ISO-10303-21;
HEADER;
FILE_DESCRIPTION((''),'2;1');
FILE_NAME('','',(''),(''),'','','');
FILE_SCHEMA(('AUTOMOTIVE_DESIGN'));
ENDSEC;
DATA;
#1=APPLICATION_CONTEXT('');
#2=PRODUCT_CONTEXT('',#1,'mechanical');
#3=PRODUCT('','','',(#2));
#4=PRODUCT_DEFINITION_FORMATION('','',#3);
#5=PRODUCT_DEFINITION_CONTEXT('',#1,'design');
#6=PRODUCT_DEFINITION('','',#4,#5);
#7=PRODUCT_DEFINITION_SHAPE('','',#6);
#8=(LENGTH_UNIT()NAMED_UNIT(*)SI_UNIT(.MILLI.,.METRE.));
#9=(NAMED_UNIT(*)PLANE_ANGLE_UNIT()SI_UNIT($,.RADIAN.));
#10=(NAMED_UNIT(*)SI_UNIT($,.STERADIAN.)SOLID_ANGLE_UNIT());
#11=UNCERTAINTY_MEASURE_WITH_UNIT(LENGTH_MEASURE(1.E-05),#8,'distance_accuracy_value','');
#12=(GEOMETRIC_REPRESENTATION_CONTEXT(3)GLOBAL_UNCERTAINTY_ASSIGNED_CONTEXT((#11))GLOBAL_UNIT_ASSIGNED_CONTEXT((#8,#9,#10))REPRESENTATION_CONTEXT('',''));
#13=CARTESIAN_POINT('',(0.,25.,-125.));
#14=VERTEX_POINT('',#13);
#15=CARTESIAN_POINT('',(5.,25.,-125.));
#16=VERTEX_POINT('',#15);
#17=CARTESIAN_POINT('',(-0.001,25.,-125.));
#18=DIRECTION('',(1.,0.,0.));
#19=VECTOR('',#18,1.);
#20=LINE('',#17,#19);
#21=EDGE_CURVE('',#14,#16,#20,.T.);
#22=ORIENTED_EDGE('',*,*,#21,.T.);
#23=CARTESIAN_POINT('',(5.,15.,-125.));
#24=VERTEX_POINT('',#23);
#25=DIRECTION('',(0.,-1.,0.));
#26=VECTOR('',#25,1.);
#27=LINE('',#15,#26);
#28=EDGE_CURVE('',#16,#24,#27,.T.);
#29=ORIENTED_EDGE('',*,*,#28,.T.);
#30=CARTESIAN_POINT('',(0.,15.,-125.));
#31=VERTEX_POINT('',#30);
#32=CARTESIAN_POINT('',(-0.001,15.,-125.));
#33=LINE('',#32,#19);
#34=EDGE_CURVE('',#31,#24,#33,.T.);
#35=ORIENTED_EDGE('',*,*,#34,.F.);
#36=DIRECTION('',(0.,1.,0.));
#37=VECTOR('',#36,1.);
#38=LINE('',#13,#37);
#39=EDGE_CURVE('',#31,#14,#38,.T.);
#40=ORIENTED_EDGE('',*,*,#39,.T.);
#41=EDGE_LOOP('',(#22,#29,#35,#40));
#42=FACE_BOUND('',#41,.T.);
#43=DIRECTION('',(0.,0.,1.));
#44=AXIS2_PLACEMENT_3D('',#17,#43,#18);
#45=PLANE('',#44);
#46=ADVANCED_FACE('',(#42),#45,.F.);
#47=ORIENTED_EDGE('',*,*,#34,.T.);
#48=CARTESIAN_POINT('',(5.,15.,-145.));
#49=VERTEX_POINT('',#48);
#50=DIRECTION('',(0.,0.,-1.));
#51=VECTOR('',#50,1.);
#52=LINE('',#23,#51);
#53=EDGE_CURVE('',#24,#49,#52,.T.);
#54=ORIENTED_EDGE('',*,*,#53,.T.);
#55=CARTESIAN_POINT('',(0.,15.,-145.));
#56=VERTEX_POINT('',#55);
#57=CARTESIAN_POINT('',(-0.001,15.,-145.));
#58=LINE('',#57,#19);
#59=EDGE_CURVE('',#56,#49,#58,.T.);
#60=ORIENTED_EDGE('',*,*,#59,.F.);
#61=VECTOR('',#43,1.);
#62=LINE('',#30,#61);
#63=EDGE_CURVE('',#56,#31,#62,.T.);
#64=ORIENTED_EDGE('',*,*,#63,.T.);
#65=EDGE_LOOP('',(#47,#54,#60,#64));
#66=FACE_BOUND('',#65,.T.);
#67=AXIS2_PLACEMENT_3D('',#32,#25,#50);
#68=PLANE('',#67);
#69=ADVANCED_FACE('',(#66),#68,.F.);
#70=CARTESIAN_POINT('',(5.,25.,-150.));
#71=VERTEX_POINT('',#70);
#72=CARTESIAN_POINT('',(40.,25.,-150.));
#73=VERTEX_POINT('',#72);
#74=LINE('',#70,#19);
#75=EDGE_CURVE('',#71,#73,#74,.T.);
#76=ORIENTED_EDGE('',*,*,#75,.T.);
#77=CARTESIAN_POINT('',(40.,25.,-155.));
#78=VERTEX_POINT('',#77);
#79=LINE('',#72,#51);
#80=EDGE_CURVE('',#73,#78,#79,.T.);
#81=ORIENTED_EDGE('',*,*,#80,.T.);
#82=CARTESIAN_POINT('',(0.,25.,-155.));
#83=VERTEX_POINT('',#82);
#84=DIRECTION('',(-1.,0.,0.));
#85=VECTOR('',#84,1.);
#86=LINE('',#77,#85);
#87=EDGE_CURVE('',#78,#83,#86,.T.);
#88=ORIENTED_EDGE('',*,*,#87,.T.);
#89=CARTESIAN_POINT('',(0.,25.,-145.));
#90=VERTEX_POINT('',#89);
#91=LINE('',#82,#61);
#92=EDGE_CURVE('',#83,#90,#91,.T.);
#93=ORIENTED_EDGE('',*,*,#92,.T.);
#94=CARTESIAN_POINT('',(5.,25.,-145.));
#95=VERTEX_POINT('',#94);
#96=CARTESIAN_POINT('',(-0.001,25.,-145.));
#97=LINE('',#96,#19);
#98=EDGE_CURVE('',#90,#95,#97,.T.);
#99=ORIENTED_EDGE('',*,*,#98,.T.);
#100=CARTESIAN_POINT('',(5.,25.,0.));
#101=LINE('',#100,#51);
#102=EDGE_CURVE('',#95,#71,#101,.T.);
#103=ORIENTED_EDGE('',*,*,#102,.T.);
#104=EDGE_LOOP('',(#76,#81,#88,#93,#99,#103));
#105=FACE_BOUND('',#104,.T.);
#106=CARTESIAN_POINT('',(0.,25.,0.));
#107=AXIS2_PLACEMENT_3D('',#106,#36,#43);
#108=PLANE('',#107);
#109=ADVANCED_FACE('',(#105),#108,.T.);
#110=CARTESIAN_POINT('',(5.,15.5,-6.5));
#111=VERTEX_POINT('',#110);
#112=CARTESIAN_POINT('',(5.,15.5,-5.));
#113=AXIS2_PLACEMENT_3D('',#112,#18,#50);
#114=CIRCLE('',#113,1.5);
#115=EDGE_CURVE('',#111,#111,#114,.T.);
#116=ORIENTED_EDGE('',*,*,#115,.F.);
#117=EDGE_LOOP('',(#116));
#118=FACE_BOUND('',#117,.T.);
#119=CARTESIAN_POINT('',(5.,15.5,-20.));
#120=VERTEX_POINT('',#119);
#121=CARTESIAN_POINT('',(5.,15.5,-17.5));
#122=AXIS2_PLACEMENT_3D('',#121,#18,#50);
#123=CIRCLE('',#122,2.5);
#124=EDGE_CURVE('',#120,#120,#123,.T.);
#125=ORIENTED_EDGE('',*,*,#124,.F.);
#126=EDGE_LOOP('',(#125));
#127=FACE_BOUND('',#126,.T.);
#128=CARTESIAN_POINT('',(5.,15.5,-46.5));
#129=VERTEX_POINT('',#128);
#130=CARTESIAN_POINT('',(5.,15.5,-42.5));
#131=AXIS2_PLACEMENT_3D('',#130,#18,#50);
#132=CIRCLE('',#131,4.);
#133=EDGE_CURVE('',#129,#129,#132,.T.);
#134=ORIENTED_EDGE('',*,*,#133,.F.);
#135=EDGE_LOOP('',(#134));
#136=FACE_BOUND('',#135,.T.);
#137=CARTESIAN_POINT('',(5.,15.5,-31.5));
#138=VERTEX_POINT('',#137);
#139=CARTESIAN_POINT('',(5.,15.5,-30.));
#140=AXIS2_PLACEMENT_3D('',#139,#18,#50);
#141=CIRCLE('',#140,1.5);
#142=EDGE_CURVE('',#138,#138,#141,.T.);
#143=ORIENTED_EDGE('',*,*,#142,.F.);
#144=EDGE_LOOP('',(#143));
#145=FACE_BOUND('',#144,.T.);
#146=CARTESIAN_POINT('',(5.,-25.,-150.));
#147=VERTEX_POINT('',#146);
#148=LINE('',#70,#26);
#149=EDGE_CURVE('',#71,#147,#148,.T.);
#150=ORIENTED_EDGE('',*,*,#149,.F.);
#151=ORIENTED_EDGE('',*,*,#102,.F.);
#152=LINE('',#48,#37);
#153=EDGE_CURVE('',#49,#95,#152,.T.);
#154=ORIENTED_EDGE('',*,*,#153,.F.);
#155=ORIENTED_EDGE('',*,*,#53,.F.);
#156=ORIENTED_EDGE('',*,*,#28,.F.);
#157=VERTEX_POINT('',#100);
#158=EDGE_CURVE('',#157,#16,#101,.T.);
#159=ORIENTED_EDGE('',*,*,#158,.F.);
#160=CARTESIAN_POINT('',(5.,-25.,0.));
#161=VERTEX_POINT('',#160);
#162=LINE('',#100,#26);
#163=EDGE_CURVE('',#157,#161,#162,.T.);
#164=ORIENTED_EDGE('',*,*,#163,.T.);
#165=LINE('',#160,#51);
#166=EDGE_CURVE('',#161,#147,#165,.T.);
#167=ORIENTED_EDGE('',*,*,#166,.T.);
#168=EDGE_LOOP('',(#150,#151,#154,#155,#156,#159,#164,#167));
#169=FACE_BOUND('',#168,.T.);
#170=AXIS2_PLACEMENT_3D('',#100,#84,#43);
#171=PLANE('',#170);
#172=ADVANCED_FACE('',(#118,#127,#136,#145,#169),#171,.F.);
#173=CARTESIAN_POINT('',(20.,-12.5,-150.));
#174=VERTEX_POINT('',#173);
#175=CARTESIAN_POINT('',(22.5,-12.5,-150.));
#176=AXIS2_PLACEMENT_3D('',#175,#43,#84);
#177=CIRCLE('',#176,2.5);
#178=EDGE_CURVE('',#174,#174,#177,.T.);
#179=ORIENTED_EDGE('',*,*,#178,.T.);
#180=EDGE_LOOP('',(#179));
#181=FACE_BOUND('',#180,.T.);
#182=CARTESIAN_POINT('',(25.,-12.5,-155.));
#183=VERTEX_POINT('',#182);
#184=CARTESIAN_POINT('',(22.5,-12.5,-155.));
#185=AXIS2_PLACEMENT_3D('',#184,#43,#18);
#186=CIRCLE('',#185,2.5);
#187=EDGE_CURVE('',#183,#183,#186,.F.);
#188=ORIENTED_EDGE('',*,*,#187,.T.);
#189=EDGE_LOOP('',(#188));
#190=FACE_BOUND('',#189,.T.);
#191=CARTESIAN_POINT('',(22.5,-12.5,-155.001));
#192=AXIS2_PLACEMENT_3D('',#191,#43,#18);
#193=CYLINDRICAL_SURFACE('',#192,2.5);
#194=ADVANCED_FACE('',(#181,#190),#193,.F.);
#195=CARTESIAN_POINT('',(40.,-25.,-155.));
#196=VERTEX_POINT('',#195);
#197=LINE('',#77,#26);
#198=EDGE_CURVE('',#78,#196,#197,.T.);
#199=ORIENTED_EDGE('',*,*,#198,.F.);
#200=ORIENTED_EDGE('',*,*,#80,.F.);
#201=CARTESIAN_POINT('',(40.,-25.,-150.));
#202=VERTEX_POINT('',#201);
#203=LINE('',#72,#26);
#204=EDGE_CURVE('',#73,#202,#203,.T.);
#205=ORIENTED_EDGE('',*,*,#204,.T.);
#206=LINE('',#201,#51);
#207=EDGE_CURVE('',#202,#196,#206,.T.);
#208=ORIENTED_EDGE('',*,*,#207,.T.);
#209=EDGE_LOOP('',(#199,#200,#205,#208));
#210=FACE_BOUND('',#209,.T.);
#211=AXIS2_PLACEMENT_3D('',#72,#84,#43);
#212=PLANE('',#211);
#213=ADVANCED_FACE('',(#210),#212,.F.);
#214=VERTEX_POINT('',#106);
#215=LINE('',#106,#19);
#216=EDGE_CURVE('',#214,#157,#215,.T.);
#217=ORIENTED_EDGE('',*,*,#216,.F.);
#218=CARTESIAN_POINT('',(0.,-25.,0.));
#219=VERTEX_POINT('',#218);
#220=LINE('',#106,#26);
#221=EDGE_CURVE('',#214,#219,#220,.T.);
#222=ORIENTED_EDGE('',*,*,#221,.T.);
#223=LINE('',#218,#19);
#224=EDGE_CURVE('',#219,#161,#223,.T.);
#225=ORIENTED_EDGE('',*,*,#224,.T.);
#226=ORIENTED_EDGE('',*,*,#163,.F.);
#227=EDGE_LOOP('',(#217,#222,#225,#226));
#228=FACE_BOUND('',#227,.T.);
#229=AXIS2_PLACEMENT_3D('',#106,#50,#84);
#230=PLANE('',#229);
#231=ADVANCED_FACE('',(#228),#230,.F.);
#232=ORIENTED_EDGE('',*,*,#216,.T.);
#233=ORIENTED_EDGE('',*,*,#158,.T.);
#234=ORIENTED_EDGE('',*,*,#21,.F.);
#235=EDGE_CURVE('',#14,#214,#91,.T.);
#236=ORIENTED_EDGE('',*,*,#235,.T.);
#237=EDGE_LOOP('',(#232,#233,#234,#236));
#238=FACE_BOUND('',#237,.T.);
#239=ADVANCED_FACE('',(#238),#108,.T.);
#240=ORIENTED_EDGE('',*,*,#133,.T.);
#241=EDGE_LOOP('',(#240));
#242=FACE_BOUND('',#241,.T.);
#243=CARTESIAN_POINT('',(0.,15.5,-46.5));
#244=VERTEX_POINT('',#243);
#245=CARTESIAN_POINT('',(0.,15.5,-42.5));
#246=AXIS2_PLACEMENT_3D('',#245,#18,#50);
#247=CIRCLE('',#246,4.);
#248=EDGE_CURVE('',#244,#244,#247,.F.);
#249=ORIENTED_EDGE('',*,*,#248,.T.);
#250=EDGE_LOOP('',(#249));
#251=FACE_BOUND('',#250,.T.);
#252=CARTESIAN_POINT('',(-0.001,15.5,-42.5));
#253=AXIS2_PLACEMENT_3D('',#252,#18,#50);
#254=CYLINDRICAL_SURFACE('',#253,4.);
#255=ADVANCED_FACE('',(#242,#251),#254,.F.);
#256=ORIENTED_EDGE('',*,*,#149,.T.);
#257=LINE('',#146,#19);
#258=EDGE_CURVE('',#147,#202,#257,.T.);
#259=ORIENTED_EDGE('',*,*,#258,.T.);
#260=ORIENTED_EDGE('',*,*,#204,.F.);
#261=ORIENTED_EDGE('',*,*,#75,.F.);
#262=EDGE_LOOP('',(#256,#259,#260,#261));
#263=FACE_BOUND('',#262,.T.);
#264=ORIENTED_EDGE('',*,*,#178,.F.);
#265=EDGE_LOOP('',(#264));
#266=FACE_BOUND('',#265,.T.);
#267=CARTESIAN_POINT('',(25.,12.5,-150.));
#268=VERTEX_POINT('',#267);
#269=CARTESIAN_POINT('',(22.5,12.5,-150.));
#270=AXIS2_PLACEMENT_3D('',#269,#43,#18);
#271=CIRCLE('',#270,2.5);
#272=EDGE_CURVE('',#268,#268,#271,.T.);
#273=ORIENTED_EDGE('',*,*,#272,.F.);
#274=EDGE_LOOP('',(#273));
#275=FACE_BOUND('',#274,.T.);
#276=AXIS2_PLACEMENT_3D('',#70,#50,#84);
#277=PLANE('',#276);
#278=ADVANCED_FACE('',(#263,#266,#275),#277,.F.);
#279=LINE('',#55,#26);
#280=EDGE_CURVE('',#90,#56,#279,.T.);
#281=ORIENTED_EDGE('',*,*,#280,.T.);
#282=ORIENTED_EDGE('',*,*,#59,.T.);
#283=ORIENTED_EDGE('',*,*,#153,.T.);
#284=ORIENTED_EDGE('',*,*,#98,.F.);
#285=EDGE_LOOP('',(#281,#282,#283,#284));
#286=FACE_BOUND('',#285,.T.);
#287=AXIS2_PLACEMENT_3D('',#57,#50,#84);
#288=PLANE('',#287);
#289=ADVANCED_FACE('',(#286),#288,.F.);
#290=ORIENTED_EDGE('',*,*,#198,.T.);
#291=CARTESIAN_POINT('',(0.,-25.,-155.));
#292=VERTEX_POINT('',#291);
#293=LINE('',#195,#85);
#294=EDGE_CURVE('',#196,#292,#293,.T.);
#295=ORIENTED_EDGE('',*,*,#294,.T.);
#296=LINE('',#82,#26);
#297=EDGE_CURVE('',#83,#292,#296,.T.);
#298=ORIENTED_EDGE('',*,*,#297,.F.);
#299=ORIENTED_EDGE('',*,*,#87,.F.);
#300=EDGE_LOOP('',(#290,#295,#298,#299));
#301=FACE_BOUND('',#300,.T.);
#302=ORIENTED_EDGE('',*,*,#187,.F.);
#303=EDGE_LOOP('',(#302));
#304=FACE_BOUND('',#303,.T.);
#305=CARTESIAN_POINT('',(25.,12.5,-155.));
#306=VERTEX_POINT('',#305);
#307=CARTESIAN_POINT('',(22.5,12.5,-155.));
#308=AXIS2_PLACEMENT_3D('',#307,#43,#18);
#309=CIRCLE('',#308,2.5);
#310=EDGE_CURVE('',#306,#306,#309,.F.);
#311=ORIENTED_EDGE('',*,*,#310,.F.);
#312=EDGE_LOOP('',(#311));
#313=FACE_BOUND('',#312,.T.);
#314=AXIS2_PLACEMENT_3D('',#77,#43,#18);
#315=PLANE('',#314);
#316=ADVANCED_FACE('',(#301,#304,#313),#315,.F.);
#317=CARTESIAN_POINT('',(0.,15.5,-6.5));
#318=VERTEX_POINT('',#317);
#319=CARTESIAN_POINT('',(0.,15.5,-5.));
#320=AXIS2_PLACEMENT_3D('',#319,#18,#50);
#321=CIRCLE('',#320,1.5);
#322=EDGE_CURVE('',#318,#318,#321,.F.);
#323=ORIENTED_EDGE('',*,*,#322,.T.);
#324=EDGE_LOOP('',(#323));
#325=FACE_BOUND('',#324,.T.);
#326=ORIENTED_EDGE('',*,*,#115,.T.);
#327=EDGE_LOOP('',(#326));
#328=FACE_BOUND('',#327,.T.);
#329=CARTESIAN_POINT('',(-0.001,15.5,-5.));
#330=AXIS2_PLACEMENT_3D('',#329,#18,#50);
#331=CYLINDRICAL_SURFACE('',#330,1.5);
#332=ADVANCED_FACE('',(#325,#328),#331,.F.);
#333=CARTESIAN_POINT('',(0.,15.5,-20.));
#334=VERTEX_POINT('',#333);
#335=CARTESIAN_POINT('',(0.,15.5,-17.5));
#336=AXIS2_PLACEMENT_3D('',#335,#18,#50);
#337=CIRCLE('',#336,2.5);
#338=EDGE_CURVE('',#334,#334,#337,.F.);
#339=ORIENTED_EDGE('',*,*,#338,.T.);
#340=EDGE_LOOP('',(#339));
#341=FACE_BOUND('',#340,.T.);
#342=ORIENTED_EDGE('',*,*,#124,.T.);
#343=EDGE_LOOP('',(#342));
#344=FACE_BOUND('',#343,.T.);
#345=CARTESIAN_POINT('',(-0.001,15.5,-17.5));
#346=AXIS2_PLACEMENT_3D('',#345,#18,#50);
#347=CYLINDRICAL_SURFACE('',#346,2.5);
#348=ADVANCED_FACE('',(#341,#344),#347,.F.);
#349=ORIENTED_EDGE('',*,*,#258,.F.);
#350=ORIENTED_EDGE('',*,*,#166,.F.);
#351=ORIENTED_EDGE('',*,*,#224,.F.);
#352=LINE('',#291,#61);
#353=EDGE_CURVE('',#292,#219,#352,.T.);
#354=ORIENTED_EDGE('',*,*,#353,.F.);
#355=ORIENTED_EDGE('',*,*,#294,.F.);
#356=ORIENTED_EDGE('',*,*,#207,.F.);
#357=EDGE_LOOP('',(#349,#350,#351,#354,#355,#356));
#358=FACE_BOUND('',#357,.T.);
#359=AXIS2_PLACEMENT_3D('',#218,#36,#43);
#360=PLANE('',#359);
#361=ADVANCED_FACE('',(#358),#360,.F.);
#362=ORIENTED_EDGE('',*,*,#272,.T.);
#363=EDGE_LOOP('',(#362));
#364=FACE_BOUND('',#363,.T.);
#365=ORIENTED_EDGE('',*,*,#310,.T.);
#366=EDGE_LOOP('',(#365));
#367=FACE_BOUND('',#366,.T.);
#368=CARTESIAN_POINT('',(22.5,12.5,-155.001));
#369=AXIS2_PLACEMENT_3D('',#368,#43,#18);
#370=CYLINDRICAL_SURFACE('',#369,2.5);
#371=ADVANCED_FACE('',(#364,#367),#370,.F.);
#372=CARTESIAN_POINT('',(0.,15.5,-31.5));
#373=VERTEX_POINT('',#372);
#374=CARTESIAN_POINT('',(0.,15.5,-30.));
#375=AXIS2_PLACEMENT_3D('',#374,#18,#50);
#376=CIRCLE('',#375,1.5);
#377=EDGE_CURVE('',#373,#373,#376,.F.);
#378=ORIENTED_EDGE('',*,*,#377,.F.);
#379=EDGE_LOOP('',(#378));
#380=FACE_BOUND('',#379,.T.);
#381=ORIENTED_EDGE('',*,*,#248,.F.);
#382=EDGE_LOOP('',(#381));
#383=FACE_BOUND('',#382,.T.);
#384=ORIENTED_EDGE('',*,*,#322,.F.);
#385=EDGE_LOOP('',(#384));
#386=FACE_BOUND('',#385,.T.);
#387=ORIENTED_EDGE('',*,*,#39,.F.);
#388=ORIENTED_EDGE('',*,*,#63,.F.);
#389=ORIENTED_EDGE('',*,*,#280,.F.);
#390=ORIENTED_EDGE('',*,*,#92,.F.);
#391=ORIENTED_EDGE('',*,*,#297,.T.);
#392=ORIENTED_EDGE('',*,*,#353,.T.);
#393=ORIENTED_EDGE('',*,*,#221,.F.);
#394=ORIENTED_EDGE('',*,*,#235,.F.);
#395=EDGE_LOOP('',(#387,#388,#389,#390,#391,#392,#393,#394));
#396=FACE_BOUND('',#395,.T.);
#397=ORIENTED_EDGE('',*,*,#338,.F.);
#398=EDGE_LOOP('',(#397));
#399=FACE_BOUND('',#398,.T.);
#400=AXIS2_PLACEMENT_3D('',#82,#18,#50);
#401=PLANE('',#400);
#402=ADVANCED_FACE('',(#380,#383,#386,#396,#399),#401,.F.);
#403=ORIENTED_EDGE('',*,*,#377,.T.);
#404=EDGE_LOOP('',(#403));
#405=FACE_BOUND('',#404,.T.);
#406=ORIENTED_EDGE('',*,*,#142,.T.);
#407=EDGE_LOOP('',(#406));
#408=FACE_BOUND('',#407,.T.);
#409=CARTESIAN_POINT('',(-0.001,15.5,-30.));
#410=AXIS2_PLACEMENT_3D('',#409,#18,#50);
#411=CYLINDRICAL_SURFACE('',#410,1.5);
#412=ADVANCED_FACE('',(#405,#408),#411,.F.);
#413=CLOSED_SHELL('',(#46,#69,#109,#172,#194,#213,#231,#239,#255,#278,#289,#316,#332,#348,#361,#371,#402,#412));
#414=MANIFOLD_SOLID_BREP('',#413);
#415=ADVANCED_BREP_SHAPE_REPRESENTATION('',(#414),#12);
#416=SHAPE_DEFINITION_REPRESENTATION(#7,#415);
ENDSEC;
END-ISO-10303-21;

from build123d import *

# Parameters (mm, degrees)
BOSS_EXTRUDE5_DEPTH = 25
CUT_EXTRUDE2_REACH  = 162.857
SKETCH6_R           = 1.5
SKETCH6_R_2         = 2.5
SKETCH6_R_3         = 4
SKETCH6_W           = 20
SKETCH6_H           = 10
CUT_EXTRUDE3_REACH  = 159.242
SKETCH7_R           = 2.5


with BuildPart() as part:
    # Sketch4 → Boss-Extrude5 (new, symmetric)
    with BuildSketch(Plane(origin=(0, 0, 0), x_dir=(1, 0, 0), z_dir=(0, 1, 0))):
        Polygon((0, 0), (5, 0), (5, 150), (40, 150), (40, 155), (0, 155), align=None)
    extrude(amount=BOSS_EXTRUDE5_DEPTH, both=True)

    # Sketch6 → Cut-Extrude2 (cut, up to next)
    with BuildSketch(Plane(origin=(5, 0, 0), x_dir=(0, 0, -1), z_dir=(1, 0, 0)), mode=Mode.PRIVATE) as cut_extrude2_sk1:
        with Locations((5, 15.5)):
            Circle(SKETCH6_R)
    cut_extrude2_tool1 = extrude(cut_extrude2_sk1.sketch, amount=-CUT_EXTRUDE2_REACH, mode=Mode.PRIVATE) & part.part
    # Sketch6 → Cut-Extrude2 (cut, up to next)
    with BuildSketch(Plane(origin=(5, 0, 0), x_dir=(0, 0, -1), z_dir=(1, 0, 0)), mode=Mode.PRIVATE) as cut_extrude2_sk2:
        with Locations((17.5, 15.5)):
            Circle(SKETCH6_R_2)
    cut_extrude2_tool2 = extrude(cut_extrude2_sk2.sketch, amount=-CUT_EXTRUDE2_REACH, mode=Mode.PRIVATE) & part.part
    # Sketch6 → Cut-Extrude2 (cut, up to next)
    with BuildSketch(Plane(origin=(5, 0, 0), x_dir=(0, 0, -1), z_dir=(1, 0, 0)), mode=Mode.PRIVATE) as cut_extrude2_sk3:
        with Locations((30, 15.5)):
            Circle(SKETCH6_R)
    cut_extrude2_tool3 = extrude(cut_extrude2_sk3.sketch, amount=-CUT_EXTRUDE2_REACH, mode=Mode.PRIVATE) & part.part
    # Sketch6 → Cut-Extrude2 (cut, up to next)
    with BuildSketch(Plane(origin=(5, 0, 0), x_dir=(0, 0, -1), z_dir=(1, 0, 0)), mode=Mode.PRIVATE) as cut_extrude2_sk4:
        with Locations((42.5, 15.5)):
            Circle(SKETCH6_R_3)
    cut_extrude2_tool4 = extrude(cut_extrude2_sk4.sketch, amount=-CUT_EXTRUDE2_REACH, mode=Mode.PRIVATE) & part.part
    # Sketch6 → Cut-Extrude2 (cut, up to next)
    with BuildSketch(Plane(origin=(5, 0, 0), x_dir=(0, 0, -1), z_dir=(1, 0, 0)), mode=Mode.PRIVATE) as cut_extrude2_sk5:
        with Locations((135, 20)):
            Rectangle(SKETCH6_W, SKETCH6_H)
    cut_extrude2_tool5 = extrude(cut_extrude2_sk5.sketch, amount=-CUT_EXTRUDE2_REACH, mode=Mode.PRIVATE) & part.part
    add(cut_extrude2_tool1.solids().sort_by_distance((5, 15.5, -5))[0], mode=Mode.SUBTRACT)
    add(cut_extrude2_tool2.solids().sort_by_distance((5, 15.5, -17.5))[0], mode=Mode.SUBTRACT)
    add(cut_extrude2_tool3.solids().sort_by_distance((5, 15.5, -30))[0], mode=Mode.SUBTRACT)
    add(cut_extrude2_tool4.solids().sort_by_distance((5, 15.5, -42.5))[0], mode=Mode.SUBTRACT)
    add(cut_extrude2_tool5.solids().sort_by_distance((5, 20, -135))[0], mode=Mode.SUBTRACT)

    # Sketch7 → Cut-Extrude3 (cut, up to next)
    with BuildSketch(Plane.XY.offset(-150), mode=Mode.PRIVATE) as cut_extrude3_sk1:
        with Locations((22.5, 12.5)):
            Circle(SKETCH7_R)
    cut_extrude3_tool1 = extrude(cut_extrude3_sk1.sketch, amount=-CUT_EXTRUDE3_REACH, mode=Mode.PRIVATE) & part.part
    # Sketch7 → Cut-Extrude3 (cut, up to next)
    with BuildSketch(Plane.XY.offset(-150), mode=Mode.PRIVATE) as cut_extrude3_sk2:
        with Locations((22.5, -12.5)):
            Circle(SKETCH7_R)
    cut_extrude3_tool2 = extrude(cut_extrude3_sk2.sketch, amount=-CUT_EXTRUDE3_REACH, mode=Mode.PRIVATE) & part.part
    add(cut_extrude3_tool1.solids().sort_by_distance((22.5, 12.5, -150))[0], mode=Mode.SUBTRACT)
    add(cut_extrude3_tool2.solids().sort_by_distance((22.5, -12.5, -150))[0], mode=Mode.SUBTRACT)


solid = part.part
